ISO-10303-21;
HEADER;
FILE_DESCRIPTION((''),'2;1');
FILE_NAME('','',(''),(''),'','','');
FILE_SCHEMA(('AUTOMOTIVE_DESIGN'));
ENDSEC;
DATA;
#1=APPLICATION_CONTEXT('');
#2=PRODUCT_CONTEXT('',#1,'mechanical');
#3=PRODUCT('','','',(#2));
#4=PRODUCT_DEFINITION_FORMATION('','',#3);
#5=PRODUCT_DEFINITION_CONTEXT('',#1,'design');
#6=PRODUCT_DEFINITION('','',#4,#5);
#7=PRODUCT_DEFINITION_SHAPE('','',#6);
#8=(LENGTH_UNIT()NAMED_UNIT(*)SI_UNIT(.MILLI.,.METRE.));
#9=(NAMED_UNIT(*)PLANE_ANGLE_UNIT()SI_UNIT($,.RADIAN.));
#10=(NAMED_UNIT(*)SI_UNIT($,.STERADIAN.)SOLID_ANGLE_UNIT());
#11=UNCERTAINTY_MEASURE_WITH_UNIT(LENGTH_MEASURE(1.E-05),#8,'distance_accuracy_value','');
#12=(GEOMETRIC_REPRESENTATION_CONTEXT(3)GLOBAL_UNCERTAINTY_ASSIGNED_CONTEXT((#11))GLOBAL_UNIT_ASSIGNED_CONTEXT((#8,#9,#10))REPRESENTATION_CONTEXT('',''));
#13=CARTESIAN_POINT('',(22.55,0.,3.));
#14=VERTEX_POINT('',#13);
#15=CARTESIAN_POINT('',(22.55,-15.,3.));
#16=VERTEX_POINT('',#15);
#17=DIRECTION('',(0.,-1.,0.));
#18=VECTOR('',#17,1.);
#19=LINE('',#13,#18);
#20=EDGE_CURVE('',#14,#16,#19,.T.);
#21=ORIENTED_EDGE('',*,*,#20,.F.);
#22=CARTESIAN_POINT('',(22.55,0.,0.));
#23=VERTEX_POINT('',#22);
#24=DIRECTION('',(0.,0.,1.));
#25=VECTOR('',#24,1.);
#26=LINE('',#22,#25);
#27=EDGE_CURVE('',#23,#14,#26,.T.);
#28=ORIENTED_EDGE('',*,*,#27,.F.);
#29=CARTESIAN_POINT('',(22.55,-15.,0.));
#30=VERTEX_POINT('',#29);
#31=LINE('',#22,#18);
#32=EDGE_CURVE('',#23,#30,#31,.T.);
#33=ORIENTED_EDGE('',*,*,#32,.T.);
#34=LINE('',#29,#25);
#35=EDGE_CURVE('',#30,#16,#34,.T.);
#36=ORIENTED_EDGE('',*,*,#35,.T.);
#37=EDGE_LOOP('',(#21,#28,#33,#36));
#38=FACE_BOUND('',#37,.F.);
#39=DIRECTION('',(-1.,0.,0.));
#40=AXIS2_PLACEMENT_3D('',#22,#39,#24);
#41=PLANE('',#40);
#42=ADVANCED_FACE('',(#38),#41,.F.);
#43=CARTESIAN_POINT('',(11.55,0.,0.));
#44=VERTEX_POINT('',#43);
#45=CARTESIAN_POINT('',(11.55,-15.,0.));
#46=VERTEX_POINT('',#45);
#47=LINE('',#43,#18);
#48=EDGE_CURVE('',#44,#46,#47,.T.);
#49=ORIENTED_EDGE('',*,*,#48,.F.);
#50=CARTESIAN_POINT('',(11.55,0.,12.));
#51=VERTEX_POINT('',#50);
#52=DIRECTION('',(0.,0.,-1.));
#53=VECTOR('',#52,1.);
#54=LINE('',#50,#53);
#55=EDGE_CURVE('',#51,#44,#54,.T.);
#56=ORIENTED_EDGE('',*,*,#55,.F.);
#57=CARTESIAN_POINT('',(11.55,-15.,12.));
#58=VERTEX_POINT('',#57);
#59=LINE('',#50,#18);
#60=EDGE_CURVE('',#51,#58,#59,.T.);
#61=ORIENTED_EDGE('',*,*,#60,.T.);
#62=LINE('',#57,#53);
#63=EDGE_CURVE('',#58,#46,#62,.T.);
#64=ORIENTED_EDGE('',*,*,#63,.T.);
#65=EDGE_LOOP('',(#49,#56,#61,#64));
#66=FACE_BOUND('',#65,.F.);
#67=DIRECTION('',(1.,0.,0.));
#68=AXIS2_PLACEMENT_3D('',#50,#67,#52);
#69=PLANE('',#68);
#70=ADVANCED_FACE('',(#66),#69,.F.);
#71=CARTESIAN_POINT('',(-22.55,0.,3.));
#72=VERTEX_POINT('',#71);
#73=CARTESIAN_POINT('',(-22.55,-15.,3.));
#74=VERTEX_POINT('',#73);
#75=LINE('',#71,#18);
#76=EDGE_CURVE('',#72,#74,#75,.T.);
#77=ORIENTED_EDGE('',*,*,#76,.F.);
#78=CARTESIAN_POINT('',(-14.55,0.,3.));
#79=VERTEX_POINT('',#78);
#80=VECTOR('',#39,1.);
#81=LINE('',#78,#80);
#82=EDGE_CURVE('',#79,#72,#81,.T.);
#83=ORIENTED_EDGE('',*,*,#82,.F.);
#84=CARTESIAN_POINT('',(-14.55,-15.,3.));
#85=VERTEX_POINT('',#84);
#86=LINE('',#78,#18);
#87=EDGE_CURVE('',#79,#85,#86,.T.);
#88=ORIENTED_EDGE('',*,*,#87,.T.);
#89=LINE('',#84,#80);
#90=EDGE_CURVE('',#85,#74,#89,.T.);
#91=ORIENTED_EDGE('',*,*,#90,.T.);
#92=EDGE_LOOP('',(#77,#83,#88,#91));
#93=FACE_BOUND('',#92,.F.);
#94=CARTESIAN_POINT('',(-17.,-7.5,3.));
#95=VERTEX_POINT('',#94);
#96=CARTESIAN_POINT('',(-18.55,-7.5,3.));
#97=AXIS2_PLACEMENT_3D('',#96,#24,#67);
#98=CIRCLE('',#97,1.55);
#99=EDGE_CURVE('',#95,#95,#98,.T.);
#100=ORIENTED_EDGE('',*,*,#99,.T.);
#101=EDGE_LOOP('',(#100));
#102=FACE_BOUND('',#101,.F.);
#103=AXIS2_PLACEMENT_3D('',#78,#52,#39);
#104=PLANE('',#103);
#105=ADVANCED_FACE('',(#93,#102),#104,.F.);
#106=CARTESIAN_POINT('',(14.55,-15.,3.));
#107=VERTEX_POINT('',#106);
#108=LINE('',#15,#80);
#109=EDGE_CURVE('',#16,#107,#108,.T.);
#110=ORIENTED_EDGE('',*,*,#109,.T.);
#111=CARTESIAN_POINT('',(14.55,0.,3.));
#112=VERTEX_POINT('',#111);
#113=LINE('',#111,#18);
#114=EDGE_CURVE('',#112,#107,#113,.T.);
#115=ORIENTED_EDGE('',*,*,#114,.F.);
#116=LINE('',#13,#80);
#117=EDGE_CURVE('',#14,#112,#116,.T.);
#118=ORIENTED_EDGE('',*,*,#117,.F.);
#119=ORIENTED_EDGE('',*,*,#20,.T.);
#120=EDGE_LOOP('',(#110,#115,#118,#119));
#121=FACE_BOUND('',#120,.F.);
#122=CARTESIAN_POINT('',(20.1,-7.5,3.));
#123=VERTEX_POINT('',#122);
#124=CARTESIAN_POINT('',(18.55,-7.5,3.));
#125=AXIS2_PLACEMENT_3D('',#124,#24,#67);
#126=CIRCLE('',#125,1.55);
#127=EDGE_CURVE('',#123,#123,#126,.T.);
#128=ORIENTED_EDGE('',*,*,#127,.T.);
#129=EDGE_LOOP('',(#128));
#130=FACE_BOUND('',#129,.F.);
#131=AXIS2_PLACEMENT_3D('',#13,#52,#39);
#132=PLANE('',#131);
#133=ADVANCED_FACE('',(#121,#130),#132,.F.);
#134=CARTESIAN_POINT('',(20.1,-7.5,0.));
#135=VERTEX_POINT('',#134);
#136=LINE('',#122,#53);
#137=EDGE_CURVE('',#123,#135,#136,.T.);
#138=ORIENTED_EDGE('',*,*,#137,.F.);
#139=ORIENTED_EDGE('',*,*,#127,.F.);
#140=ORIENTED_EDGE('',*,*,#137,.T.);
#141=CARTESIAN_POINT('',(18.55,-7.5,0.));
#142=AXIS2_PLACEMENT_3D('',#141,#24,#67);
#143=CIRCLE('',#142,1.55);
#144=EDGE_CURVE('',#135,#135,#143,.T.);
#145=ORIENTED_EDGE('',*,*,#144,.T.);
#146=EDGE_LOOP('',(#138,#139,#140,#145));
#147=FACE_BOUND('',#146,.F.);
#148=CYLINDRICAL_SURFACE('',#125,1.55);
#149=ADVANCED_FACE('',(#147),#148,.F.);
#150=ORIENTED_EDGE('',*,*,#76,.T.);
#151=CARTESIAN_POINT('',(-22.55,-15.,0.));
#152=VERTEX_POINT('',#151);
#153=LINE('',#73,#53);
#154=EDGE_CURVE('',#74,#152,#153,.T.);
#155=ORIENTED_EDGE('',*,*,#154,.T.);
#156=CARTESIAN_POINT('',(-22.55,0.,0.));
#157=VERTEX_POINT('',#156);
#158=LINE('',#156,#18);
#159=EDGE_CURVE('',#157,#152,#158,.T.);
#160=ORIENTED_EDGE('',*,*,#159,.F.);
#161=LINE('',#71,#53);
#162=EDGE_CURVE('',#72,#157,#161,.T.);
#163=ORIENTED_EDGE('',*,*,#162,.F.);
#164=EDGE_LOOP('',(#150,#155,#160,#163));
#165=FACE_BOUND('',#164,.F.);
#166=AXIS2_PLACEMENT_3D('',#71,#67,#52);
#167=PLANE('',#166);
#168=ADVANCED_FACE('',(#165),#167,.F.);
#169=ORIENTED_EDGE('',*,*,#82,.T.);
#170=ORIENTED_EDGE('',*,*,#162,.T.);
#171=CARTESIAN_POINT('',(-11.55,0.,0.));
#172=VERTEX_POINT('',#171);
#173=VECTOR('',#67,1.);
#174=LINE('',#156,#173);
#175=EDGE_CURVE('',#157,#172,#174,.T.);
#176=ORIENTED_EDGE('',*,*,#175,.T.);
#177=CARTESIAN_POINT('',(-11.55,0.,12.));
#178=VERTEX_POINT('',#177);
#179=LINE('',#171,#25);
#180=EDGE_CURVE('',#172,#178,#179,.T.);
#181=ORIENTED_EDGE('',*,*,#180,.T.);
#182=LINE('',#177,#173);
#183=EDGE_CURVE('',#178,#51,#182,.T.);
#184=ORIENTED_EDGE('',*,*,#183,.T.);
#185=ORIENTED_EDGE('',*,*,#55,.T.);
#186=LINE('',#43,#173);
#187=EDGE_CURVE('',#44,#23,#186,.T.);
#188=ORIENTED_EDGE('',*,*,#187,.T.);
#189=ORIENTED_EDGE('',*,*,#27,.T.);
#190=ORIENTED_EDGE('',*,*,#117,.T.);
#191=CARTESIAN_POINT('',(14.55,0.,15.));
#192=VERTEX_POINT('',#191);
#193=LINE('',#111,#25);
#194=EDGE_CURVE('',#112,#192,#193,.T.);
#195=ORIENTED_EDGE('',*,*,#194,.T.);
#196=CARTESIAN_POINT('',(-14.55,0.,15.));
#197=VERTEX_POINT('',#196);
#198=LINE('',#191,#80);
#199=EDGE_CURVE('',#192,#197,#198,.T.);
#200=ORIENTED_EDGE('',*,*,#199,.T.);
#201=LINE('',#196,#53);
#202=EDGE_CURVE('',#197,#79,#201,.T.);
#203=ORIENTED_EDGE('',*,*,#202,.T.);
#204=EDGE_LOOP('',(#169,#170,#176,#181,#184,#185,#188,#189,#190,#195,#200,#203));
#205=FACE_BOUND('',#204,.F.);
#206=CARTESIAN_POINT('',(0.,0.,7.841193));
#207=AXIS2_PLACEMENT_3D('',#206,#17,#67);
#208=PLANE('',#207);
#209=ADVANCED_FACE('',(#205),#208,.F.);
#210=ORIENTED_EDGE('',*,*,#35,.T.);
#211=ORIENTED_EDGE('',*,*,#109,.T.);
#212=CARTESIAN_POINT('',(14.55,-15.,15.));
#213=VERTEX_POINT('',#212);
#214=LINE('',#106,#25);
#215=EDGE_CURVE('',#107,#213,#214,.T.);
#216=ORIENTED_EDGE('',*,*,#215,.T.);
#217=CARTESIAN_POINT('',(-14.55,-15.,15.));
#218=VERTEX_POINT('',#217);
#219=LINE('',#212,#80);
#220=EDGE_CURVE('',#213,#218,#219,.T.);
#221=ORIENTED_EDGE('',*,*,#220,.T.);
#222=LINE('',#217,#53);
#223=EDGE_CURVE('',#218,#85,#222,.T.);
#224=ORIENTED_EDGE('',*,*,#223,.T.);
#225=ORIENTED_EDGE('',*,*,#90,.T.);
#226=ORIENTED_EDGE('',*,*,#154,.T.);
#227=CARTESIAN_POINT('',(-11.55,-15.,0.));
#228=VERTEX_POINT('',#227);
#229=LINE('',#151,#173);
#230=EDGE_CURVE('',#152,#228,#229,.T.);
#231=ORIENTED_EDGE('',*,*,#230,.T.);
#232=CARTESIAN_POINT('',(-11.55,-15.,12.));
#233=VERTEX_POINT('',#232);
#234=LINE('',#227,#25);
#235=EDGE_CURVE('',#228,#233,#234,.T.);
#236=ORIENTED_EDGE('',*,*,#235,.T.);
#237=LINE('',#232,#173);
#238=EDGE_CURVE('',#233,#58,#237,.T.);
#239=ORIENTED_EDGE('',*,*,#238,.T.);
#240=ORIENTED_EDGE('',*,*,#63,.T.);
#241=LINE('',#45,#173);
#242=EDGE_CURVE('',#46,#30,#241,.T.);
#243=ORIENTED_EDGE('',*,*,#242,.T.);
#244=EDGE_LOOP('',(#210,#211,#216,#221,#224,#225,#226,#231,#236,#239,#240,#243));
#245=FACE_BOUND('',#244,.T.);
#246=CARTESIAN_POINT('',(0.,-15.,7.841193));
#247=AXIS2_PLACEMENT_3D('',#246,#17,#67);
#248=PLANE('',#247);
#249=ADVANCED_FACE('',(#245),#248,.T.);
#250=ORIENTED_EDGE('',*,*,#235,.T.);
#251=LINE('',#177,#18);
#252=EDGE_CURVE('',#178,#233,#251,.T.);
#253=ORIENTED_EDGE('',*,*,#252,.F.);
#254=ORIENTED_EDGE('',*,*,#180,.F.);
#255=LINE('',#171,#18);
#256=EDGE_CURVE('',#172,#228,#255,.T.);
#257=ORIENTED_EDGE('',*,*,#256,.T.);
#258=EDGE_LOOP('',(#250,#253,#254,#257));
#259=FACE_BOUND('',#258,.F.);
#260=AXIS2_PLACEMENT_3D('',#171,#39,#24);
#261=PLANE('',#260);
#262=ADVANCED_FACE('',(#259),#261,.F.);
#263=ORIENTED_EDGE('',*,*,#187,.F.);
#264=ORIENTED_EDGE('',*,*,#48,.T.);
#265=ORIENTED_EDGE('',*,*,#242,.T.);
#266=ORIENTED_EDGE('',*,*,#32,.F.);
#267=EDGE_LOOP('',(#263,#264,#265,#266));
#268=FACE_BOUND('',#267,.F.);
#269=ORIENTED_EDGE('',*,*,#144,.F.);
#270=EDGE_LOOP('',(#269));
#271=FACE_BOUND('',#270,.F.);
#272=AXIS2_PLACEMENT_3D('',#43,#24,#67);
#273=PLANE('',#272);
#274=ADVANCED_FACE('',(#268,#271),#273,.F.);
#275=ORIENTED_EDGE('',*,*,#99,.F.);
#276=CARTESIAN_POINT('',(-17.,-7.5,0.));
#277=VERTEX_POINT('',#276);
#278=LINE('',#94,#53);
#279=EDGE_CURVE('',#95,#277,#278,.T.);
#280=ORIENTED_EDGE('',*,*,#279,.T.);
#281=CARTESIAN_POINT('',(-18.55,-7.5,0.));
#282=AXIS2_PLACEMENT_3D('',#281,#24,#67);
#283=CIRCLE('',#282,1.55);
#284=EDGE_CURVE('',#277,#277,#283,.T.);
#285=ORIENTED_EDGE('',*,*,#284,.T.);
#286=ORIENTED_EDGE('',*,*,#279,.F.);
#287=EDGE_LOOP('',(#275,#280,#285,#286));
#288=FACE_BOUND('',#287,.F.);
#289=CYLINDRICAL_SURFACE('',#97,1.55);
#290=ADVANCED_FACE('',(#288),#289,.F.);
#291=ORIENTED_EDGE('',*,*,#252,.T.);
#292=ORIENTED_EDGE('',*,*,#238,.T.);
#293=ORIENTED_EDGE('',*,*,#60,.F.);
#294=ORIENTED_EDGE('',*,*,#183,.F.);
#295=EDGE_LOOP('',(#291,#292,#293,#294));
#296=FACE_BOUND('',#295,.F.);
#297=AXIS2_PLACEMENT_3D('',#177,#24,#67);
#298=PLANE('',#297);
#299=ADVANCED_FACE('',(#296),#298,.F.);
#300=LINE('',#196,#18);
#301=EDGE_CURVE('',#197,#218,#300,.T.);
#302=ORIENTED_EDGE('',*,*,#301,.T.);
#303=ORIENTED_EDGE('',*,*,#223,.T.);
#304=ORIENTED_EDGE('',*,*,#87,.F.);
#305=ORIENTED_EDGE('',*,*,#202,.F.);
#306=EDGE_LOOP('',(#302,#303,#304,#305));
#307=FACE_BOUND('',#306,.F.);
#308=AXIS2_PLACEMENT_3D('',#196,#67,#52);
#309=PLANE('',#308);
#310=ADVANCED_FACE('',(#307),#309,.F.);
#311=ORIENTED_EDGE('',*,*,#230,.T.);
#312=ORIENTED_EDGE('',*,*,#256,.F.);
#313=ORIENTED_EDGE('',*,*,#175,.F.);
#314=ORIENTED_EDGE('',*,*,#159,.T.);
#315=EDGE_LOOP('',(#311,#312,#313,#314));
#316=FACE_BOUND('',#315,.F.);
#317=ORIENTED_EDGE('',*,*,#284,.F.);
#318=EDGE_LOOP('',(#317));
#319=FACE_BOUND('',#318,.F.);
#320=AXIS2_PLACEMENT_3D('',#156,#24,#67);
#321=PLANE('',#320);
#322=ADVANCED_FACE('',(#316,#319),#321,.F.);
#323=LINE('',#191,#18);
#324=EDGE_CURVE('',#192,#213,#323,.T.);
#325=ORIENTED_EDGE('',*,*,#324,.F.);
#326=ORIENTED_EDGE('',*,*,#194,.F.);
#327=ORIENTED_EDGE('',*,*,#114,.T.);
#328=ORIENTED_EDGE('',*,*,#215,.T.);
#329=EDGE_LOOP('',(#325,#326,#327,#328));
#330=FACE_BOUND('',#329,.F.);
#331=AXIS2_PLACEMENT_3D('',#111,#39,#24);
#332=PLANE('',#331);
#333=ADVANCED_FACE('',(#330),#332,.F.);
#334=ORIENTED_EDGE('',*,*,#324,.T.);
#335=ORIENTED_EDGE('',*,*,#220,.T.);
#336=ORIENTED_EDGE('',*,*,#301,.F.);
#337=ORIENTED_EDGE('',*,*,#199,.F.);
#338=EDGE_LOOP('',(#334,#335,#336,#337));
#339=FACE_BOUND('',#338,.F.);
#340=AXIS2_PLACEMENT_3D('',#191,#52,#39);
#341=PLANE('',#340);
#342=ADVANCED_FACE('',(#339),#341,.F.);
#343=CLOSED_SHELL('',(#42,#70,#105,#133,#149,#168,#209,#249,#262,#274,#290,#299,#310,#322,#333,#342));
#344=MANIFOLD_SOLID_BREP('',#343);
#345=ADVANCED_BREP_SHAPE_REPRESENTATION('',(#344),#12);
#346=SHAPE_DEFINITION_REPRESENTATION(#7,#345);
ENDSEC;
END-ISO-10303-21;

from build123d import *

# Parameters (mm, degrees)
F1_DEPTH = 15
F2_R     = 1.55
F3_DEPTH = 3.001


with BuildPart() as f1:
    # F0 (on Front) → F1 (new body)
    with BuildSketch(Plane.XZ):
        Polygon((-11.55, 12), (0, 12), (11.55, 12), (11.55, 0), (22.55, 0), (22.55, 3), (14.55, 3), (14.55, 15), (0, 15), (-11.55, 15), (-14.55, 15), (-14.55, 12), (-14.55, 3), (-22.55, 3), (-22.55, 0), (-14.55, 0), (-11.55, 0), (-11.55, 3), align=None)
    extrude(amount=F1_DEPTH)

    # F2 (on face) → F3 (cut, through all)
    with BuildSketch(Plane.XY.offset(3)):
        with Locations((-18.55, -7.5)):
            Circle(F2_R)
        with Locations((18.55, -7.5)):
            Circle(F2_R)
    extrude(amount=-F3_DEPTH, mode=Mode.SUBTRACT)


solid = f1.part
